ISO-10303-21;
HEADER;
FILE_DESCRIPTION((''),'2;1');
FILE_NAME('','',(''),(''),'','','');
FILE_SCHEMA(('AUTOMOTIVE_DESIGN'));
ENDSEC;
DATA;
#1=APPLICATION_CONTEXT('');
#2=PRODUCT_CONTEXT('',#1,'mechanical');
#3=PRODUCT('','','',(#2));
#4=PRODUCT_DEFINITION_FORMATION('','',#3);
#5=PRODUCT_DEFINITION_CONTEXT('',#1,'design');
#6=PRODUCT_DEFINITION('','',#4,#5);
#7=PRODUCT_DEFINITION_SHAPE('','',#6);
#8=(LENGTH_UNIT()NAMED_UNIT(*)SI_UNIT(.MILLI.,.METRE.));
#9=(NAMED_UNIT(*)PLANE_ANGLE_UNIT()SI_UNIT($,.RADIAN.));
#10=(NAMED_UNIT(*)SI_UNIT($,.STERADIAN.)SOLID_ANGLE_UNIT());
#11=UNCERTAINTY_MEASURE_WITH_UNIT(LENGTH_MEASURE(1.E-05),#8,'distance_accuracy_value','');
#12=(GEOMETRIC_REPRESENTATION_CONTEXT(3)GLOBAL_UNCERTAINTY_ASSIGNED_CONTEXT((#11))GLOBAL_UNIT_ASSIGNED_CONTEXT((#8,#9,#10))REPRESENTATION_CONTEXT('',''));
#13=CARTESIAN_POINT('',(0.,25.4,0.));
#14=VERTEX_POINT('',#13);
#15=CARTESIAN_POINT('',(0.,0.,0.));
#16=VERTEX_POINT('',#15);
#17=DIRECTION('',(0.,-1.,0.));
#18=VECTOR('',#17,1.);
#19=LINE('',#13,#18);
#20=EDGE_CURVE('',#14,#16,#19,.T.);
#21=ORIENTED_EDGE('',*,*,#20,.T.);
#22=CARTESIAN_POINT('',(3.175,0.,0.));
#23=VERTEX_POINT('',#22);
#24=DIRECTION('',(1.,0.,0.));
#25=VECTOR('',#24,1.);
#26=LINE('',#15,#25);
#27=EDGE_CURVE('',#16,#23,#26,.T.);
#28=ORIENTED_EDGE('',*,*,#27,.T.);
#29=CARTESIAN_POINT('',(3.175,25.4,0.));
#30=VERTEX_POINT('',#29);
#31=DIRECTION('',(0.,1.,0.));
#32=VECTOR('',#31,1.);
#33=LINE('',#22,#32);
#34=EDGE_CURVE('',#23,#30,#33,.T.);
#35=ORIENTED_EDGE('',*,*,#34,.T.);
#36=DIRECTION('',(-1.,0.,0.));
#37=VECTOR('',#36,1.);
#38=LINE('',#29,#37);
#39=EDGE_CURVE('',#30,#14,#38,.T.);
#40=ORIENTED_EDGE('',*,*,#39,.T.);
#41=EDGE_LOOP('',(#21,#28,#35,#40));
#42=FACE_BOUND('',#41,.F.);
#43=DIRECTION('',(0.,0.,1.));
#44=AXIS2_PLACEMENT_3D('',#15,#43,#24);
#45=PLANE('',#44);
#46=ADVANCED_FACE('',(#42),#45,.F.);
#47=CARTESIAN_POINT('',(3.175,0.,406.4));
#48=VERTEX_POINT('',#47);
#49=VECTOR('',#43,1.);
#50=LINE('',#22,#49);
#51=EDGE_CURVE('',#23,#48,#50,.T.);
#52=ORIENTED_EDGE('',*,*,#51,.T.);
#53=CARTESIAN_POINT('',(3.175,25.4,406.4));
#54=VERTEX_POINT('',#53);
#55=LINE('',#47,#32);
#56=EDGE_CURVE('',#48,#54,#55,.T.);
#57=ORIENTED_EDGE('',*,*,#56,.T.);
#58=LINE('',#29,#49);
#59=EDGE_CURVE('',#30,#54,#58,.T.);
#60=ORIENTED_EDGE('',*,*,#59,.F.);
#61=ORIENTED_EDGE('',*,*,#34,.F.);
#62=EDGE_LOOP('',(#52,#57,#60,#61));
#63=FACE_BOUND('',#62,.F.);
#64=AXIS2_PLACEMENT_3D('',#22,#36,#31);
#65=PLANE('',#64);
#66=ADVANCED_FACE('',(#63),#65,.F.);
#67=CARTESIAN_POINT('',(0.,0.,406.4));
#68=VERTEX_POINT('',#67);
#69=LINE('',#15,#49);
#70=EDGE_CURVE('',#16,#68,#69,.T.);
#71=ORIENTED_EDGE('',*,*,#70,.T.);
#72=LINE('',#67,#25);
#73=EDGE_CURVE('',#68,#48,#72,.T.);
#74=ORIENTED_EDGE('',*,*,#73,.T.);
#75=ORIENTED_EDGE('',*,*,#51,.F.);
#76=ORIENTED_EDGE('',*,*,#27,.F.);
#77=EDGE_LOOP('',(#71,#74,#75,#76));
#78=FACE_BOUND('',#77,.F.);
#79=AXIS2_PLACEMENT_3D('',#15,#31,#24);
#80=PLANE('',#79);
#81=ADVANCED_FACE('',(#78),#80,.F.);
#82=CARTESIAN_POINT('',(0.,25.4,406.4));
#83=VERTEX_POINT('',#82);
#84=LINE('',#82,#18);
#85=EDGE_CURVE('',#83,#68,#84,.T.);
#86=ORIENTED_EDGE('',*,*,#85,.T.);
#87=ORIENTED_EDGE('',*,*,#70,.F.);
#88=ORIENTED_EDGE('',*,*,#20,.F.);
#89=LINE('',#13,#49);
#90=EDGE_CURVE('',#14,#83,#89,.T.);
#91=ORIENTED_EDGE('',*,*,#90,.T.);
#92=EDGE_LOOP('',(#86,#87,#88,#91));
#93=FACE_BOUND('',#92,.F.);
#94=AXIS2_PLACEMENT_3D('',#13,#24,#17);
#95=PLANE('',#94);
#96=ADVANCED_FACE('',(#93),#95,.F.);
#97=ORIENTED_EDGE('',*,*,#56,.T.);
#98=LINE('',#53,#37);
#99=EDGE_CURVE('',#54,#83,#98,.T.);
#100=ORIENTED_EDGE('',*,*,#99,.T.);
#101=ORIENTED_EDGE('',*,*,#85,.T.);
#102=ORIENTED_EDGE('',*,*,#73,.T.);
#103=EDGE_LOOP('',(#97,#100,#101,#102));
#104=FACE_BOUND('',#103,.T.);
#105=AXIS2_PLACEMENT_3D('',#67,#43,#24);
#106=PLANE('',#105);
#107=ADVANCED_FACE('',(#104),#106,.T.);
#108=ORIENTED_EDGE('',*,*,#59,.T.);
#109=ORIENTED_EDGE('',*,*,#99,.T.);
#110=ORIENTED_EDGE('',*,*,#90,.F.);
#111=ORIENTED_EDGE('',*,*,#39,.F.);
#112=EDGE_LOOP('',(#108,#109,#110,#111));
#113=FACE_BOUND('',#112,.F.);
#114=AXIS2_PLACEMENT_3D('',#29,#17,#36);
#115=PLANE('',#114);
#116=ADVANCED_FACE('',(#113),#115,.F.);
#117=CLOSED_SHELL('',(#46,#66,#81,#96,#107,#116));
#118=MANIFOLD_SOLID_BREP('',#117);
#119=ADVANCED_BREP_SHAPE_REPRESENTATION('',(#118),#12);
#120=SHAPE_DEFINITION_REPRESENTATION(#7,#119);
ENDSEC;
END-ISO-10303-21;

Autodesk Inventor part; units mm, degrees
ref_plane "YZ Plane" through (0, 0, 0) normal (1, 0, 0) x (0, 1, 0)
ref_plane "XZ Plane" through (0, 0, 0) normal (0, 1, 0) x (-1, 0, 0)
ref_plane "XY Plane" through (0, 0, 0) normal (0, 0, 1) x (1, 0, 0)
sketch "Sketch1" plane through (0, 0, 0) normal (0, 0, 1) x (1, 0, 0)
  line L0 (0, 0) -> (3.175, 0)
  line L1 (3.175, 0) -> (3.175, 25.4)
  line L2 (3.175, 25.4) -> (0, 25.4)
  line L3 (0, 25.4) -> (0, 0)
  dimension "d0" = 3.175
  dimension "d1" = 25.4
extrude "Extrusion1" add sketch "Sketch1" along normal blind 406.4
properties part number "backstop"
